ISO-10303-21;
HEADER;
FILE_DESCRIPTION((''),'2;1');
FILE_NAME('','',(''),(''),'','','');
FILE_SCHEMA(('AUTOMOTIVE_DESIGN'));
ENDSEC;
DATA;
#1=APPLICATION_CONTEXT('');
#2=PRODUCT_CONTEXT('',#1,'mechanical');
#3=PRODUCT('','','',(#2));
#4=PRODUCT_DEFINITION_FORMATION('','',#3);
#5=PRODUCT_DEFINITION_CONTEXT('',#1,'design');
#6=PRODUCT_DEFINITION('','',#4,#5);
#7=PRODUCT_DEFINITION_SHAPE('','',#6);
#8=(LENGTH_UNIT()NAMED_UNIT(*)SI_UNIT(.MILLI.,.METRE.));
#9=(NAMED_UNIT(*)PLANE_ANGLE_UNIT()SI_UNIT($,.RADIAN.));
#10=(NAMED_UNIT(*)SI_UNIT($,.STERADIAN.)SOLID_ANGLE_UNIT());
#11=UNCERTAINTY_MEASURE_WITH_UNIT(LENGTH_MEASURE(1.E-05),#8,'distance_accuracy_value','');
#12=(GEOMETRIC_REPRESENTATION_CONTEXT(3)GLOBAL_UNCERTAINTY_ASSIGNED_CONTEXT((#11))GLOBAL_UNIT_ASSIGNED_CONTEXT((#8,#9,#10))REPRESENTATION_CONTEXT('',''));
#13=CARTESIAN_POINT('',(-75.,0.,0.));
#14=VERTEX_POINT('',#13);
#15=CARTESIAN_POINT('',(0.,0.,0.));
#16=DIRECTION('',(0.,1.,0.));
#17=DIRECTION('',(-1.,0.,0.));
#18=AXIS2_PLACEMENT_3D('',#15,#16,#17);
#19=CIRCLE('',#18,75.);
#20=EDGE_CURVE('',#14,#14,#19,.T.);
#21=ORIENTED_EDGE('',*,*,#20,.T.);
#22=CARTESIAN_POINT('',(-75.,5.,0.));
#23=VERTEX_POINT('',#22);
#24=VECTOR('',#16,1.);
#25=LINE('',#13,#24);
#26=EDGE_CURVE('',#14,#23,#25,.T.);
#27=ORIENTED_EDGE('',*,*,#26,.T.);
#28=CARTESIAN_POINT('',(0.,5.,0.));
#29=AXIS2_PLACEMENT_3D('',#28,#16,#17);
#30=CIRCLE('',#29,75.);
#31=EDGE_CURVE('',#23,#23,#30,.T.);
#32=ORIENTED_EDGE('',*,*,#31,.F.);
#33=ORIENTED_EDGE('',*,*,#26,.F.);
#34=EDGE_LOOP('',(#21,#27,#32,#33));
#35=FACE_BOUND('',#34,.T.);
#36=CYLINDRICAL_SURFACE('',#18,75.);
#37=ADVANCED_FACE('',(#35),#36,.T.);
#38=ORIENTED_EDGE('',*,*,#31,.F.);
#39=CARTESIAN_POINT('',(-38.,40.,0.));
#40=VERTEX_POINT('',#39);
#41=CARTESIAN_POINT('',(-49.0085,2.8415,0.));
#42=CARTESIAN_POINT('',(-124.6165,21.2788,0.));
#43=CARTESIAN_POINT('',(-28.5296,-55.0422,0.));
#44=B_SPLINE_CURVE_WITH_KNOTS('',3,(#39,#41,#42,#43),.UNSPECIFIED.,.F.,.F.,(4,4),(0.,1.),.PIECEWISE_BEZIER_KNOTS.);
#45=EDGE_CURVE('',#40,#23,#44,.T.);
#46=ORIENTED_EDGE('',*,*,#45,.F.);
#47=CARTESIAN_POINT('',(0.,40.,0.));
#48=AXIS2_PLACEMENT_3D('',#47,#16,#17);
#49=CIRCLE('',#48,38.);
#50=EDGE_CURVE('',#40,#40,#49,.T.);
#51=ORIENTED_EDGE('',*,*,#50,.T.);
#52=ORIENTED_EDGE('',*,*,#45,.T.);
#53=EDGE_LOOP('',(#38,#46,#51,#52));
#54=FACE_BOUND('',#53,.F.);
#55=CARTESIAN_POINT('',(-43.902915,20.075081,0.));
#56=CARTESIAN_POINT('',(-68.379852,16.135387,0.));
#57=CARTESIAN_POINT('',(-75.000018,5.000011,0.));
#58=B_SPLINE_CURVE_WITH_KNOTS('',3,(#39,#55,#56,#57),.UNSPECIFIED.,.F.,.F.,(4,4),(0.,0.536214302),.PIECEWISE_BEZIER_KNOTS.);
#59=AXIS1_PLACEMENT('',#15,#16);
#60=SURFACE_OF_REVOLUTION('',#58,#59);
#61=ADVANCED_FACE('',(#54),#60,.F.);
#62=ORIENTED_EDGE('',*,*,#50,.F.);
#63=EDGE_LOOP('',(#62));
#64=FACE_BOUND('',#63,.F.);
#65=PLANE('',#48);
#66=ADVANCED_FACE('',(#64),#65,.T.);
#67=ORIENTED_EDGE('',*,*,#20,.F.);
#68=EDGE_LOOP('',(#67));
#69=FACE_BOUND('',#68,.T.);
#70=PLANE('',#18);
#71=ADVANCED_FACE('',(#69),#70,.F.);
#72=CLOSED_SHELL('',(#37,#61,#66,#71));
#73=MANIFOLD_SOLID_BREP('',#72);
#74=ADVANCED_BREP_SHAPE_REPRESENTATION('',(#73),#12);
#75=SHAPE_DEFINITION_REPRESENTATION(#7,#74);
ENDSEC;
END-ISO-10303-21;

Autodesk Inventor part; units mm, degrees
ref_plane "YZ Plane" through (0, 0, 0) normal (1, 0, 0) x (0, 1, 0)
ref_plane "XZ Plane" through (0, 0, 0) normal (0, 1, 0) x (-1, 0, 0)
ref_plane "XY Plane" through (0, 0, 0) normal (0, 0, 1) x (1, 0, 0)
sketch "Sketch1" plane through (0, 0, 0) normal (0, 0, 1) x (1, 0, 0)
  line L0 (0, 0) -> (-75, 0)
  line L1 (0, 0) -> (0, 40)
  line L2 (0, 40) -> (-38, 40)
  line L3 (-75, 0) -> (-75, 5)
  spline S0 degree 3 poles (-38, 40) (-49.0085, 2.8415) (-124.6165, 21.2788) (-28.5296, -55.0422) knots 0 0 0 0 1 1 1 1
  point P0 (-58.1914, 17.9837)
  dimension "d0" = 75
  dimension "d1" = 40
  dimension "d2" = 38
  dimension "d3" = 5
revolve "Revolution1" add sketch "Sketch1" angle 360 about axis through (0, 0, 0) along (0, 1, 0)
properties part number "Podstawa"
